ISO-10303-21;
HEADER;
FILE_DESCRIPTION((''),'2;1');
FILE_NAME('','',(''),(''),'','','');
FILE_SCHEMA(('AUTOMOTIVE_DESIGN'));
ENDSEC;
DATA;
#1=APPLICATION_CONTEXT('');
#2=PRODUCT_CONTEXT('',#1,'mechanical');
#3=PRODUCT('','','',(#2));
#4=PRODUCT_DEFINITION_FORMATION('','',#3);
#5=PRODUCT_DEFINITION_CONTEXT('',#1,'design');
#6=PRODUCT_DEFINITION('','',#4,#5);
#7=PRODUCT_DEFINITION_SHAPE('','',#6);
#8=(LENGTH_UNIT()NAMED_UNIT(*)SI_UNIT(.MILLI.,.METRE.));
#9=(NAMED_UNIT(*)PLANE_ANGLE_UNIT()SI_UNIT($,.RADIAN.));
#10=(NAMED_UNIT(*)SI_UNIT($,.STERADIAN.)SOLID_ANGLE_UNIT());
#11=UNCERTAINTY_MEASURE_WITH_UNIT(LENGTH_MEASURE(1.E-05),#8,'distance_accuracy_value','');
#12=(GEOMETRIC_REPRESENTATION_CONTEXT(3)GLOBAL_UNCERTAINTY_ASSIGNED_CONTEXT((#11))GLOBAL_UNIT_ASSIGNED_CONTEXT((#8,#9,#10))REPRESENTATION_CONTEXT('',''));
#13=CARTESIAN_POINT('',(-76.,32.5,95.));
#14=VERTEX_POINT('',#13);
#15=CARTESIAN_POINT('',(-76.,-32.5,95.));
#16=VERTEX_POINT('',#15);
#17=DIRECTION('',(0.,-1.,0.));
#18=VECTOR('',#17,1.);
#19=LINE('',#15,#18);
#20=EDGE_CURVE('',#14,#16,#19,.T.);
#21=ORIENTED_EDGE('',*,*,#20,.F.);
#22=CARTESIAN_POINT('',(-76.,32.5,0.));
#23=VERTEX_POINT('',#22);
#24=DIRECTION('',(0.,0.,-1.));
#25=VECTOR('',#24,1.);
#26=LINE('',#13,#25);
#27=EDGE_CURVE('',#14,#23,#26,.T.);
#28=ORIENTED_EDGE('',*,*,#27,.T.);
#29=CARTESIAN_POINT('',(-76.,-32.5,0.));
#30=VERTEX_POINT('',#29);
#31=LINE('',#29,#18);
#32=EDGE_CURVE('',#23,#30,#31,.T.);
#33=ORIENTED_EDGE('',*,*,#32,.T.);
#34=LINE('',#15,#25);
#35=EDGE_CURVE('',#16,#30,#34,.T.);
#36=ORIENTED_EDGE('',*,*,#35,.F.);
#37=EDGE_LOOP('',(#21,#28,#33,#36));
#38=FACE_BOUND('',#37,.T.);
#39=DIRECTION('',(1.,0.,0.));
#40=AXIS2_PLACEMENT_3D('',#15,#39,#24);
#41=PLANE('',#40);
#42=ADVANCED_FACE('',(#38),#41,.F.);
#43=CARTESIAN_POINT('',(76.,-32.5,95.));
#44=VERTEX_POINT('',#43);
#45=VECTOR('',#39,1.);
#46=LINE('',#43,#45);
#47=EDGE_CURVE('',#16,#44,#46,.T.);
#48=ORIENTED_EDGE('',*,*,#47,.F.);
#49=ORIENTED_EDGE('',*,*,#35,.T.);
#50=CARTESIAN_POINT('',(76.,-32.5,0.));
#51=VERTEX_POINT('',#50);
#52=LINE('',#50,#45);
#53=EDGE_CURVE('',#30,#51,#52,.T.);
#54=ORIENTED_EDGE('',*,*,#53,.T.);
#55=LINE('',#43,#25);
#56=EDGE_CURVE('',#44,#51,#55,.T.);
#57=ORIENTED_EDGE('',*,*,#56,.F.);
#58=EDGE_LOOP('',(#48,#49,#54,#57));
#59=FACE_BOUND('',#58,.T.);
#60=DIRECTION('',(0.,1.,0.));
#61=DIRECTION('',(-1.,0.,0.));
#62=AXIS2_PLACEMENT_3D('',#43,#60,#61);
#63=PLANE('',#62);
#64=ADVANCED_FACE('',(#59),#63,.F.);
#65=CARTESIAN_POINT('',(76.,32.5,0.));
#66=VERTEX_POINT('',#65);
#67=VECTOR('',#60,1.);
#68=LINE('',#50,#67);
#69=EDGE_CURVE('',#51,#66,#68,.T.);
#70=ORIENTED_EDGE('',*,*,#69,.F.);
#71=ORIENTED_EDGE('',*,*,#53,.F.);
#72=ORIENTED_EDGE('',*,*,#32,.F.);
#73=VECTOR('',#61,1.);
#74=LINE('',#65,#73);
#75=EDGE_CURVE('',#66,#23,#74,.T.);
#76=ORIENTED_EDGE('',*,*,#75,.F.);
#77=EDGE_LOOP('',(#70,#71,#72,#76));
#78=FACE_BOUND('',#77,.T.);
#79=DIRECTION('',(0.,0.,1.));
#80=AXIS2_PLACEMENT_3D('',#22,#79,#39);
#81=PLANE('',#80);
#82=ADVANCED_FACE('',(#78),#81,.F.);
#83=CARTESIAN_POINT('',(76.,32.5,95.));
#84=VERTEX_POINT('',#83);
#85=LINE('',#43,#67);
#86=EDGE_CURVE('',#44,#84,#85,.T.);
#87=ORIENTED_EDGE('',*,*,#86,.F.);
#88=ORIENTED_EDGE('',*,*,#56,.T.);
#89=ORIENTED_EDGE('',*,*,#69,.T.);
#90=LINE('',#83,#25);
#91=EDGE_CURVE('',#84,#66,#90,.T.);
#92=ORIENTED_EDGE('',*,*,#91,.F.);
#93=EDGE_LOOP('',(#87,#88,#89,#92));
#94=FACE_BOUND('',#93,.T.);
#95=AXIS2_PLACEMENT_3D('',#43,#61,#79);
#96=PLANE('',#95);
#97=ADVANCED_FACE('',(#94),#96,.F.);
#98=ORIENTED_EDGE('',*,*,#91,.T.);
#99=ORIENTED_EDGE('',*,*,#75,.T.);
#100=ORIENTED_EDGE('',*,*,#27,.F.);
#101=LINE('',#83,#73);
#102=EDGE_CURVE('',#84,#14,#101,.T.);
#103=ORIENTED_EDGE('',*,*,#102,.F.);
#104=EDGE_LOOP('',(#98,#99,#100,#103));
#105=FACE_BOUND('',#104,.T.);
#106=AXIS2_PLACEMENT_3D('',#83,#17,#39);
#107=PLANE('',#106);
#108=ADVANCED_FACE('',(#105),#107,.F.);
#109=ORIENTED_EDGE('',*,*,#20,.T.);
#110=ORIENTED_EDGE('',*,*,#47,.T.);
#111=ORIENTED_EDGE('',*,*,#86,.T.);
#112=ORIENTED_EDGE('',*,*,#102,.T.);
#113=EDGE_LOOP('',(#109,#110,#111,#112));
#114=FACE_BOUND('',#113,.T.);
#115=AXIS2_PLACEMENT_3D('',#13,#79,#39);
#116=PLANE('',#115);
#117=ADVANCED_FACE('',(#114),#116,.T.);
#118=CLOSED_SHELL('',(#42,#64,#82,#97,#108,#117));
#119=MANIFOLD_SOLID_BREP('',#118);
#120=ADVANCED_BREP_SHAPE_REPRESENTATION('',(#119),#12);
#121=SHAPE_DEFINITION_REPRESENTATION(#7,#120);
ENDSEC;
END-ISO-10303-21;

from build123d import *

# Parameters (mm, degrees)
SKETCH_1_W      = 152
SKETCH_1_H      = 65
EXTRUDE_1_DEPTH = 95


with BuildPart() as part:
    # 草图1 → 凸台-拉伸1 (new body)
    with BuildSketch(Plane.XY):
        Rectangle(SKETCH_1_W, SKETCH_1_H)
    extrude(amount=EXTRUDE_1_DEPTH)


solid = part.part
